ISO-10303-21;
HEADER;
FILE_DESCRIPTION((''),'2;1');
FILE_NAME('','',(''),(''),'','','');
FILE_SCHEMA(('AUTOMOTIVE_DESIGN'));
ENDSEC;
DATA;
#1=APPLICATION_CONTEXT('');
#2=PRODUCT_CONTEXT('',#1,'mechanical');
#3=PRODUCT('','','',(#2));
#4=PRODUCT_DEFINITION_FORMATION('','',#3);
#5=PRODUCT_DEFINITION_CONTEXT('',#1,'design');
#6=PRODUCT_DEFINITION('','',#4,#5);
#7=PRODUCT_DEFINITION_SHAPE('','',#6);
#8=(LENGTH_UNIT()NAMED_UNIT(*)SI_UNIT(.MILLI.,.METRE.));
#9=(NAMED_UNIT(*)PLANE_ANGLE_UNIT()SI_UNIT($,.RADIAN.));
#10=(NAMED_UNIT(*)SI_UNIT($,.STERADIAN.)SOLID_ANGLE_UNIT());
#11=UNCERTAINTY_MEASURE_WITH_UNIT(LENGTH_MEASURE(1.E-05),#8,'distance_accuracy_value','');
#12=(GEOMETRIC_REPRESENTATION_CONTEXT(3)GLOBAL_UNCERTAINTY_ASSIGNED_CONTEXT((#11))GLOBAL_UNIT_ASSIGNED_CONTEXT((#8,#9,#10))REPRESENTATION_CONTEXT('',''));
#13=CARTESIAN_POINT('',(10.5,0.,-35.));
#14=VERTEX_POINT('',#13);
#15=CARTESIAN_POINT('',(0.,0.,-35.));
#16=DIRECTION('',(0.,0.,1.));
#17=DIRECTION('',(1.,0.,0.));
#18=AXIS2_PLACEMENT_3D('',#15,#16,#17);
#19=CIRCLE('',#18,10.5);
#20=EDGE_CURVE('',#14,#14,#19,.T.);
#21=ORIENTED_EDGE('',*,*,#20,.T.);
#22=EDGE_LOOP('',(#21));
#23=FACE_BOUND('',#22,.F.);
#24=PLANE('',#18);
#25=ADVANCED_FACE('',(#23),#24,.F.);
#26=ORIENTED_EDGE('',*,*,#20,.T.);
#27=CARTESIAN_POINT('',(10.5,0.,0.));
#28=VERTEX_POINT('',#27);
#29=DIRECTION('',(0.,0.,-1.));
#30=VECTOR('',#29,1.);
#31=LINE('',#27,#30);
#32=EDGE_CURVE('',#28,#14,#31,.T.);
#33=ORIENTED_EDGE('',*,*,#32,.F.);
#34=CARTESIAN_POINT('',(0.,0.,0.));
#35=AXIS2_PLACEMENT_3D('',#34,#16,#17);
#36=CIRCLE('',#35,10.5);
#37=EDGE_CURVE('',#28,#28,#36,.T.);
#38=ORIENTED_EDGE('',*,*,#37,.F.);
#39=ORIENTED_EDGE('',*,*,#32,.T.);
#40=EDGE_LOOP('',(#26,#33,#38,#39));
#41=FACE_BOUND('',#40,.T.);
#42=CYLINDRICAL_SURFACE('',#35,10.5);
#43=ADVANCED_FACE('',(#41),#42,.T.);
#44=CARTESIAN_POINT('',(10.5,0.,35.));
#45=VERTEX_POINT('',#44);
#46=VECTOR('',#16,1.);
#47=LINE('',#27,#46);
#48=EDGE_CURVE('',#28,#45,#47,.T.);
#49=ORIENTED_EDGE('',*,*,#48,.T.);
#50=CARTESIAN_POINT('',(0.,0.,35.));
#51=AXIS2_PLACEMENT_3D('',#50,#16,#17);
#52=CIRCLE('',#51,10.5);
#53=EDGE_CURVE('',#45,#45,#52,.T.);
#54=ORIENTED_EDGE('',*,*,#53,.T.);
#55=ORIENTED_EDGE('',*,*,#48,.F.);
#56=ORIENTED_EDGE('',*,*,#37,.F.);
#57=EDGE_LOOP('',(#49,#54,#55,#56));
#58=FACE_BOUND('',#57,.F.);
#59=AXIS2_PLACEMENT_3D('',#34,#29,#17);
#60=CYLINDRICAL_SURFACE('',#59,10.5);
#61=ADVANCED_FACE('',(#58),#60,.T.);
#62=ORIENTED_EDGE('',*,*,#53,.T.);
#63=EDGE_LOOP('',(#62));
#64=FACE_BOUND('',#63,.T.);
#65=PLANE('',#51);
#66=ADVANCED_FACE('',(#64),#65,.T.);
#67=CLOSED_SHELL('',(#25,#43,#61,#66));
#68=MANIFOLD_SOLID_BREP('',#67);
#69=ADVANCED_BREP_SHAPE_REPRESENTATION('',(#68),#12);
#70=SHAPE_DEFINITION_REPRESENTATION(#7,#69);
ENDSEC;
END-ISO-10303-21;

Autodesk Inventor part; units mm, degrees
ref_plane "YZ Plane" through (0, 0, 0) normal (1, 0, 0) x (0, 1, 0)
ref_plane "XZ Plane" through (0, 0, 0) normal (0, 1, 0) x (-1, 0, 0)
ref_plane "XY Plane" through (0, 0, 0) normal (0, 0, 1) x (1, 0, 0)
sketch "Sketch1" plane through (0, 0, 0) normal (0, 0, 1) x (1, 0, 0)
  circle A0 centre (0, 0) radius 10.5
  dimension "d0" = 21
extrude "Extrusion1" add sketch "Sketch1" along normal mid plane 70
properties part number "cell"
